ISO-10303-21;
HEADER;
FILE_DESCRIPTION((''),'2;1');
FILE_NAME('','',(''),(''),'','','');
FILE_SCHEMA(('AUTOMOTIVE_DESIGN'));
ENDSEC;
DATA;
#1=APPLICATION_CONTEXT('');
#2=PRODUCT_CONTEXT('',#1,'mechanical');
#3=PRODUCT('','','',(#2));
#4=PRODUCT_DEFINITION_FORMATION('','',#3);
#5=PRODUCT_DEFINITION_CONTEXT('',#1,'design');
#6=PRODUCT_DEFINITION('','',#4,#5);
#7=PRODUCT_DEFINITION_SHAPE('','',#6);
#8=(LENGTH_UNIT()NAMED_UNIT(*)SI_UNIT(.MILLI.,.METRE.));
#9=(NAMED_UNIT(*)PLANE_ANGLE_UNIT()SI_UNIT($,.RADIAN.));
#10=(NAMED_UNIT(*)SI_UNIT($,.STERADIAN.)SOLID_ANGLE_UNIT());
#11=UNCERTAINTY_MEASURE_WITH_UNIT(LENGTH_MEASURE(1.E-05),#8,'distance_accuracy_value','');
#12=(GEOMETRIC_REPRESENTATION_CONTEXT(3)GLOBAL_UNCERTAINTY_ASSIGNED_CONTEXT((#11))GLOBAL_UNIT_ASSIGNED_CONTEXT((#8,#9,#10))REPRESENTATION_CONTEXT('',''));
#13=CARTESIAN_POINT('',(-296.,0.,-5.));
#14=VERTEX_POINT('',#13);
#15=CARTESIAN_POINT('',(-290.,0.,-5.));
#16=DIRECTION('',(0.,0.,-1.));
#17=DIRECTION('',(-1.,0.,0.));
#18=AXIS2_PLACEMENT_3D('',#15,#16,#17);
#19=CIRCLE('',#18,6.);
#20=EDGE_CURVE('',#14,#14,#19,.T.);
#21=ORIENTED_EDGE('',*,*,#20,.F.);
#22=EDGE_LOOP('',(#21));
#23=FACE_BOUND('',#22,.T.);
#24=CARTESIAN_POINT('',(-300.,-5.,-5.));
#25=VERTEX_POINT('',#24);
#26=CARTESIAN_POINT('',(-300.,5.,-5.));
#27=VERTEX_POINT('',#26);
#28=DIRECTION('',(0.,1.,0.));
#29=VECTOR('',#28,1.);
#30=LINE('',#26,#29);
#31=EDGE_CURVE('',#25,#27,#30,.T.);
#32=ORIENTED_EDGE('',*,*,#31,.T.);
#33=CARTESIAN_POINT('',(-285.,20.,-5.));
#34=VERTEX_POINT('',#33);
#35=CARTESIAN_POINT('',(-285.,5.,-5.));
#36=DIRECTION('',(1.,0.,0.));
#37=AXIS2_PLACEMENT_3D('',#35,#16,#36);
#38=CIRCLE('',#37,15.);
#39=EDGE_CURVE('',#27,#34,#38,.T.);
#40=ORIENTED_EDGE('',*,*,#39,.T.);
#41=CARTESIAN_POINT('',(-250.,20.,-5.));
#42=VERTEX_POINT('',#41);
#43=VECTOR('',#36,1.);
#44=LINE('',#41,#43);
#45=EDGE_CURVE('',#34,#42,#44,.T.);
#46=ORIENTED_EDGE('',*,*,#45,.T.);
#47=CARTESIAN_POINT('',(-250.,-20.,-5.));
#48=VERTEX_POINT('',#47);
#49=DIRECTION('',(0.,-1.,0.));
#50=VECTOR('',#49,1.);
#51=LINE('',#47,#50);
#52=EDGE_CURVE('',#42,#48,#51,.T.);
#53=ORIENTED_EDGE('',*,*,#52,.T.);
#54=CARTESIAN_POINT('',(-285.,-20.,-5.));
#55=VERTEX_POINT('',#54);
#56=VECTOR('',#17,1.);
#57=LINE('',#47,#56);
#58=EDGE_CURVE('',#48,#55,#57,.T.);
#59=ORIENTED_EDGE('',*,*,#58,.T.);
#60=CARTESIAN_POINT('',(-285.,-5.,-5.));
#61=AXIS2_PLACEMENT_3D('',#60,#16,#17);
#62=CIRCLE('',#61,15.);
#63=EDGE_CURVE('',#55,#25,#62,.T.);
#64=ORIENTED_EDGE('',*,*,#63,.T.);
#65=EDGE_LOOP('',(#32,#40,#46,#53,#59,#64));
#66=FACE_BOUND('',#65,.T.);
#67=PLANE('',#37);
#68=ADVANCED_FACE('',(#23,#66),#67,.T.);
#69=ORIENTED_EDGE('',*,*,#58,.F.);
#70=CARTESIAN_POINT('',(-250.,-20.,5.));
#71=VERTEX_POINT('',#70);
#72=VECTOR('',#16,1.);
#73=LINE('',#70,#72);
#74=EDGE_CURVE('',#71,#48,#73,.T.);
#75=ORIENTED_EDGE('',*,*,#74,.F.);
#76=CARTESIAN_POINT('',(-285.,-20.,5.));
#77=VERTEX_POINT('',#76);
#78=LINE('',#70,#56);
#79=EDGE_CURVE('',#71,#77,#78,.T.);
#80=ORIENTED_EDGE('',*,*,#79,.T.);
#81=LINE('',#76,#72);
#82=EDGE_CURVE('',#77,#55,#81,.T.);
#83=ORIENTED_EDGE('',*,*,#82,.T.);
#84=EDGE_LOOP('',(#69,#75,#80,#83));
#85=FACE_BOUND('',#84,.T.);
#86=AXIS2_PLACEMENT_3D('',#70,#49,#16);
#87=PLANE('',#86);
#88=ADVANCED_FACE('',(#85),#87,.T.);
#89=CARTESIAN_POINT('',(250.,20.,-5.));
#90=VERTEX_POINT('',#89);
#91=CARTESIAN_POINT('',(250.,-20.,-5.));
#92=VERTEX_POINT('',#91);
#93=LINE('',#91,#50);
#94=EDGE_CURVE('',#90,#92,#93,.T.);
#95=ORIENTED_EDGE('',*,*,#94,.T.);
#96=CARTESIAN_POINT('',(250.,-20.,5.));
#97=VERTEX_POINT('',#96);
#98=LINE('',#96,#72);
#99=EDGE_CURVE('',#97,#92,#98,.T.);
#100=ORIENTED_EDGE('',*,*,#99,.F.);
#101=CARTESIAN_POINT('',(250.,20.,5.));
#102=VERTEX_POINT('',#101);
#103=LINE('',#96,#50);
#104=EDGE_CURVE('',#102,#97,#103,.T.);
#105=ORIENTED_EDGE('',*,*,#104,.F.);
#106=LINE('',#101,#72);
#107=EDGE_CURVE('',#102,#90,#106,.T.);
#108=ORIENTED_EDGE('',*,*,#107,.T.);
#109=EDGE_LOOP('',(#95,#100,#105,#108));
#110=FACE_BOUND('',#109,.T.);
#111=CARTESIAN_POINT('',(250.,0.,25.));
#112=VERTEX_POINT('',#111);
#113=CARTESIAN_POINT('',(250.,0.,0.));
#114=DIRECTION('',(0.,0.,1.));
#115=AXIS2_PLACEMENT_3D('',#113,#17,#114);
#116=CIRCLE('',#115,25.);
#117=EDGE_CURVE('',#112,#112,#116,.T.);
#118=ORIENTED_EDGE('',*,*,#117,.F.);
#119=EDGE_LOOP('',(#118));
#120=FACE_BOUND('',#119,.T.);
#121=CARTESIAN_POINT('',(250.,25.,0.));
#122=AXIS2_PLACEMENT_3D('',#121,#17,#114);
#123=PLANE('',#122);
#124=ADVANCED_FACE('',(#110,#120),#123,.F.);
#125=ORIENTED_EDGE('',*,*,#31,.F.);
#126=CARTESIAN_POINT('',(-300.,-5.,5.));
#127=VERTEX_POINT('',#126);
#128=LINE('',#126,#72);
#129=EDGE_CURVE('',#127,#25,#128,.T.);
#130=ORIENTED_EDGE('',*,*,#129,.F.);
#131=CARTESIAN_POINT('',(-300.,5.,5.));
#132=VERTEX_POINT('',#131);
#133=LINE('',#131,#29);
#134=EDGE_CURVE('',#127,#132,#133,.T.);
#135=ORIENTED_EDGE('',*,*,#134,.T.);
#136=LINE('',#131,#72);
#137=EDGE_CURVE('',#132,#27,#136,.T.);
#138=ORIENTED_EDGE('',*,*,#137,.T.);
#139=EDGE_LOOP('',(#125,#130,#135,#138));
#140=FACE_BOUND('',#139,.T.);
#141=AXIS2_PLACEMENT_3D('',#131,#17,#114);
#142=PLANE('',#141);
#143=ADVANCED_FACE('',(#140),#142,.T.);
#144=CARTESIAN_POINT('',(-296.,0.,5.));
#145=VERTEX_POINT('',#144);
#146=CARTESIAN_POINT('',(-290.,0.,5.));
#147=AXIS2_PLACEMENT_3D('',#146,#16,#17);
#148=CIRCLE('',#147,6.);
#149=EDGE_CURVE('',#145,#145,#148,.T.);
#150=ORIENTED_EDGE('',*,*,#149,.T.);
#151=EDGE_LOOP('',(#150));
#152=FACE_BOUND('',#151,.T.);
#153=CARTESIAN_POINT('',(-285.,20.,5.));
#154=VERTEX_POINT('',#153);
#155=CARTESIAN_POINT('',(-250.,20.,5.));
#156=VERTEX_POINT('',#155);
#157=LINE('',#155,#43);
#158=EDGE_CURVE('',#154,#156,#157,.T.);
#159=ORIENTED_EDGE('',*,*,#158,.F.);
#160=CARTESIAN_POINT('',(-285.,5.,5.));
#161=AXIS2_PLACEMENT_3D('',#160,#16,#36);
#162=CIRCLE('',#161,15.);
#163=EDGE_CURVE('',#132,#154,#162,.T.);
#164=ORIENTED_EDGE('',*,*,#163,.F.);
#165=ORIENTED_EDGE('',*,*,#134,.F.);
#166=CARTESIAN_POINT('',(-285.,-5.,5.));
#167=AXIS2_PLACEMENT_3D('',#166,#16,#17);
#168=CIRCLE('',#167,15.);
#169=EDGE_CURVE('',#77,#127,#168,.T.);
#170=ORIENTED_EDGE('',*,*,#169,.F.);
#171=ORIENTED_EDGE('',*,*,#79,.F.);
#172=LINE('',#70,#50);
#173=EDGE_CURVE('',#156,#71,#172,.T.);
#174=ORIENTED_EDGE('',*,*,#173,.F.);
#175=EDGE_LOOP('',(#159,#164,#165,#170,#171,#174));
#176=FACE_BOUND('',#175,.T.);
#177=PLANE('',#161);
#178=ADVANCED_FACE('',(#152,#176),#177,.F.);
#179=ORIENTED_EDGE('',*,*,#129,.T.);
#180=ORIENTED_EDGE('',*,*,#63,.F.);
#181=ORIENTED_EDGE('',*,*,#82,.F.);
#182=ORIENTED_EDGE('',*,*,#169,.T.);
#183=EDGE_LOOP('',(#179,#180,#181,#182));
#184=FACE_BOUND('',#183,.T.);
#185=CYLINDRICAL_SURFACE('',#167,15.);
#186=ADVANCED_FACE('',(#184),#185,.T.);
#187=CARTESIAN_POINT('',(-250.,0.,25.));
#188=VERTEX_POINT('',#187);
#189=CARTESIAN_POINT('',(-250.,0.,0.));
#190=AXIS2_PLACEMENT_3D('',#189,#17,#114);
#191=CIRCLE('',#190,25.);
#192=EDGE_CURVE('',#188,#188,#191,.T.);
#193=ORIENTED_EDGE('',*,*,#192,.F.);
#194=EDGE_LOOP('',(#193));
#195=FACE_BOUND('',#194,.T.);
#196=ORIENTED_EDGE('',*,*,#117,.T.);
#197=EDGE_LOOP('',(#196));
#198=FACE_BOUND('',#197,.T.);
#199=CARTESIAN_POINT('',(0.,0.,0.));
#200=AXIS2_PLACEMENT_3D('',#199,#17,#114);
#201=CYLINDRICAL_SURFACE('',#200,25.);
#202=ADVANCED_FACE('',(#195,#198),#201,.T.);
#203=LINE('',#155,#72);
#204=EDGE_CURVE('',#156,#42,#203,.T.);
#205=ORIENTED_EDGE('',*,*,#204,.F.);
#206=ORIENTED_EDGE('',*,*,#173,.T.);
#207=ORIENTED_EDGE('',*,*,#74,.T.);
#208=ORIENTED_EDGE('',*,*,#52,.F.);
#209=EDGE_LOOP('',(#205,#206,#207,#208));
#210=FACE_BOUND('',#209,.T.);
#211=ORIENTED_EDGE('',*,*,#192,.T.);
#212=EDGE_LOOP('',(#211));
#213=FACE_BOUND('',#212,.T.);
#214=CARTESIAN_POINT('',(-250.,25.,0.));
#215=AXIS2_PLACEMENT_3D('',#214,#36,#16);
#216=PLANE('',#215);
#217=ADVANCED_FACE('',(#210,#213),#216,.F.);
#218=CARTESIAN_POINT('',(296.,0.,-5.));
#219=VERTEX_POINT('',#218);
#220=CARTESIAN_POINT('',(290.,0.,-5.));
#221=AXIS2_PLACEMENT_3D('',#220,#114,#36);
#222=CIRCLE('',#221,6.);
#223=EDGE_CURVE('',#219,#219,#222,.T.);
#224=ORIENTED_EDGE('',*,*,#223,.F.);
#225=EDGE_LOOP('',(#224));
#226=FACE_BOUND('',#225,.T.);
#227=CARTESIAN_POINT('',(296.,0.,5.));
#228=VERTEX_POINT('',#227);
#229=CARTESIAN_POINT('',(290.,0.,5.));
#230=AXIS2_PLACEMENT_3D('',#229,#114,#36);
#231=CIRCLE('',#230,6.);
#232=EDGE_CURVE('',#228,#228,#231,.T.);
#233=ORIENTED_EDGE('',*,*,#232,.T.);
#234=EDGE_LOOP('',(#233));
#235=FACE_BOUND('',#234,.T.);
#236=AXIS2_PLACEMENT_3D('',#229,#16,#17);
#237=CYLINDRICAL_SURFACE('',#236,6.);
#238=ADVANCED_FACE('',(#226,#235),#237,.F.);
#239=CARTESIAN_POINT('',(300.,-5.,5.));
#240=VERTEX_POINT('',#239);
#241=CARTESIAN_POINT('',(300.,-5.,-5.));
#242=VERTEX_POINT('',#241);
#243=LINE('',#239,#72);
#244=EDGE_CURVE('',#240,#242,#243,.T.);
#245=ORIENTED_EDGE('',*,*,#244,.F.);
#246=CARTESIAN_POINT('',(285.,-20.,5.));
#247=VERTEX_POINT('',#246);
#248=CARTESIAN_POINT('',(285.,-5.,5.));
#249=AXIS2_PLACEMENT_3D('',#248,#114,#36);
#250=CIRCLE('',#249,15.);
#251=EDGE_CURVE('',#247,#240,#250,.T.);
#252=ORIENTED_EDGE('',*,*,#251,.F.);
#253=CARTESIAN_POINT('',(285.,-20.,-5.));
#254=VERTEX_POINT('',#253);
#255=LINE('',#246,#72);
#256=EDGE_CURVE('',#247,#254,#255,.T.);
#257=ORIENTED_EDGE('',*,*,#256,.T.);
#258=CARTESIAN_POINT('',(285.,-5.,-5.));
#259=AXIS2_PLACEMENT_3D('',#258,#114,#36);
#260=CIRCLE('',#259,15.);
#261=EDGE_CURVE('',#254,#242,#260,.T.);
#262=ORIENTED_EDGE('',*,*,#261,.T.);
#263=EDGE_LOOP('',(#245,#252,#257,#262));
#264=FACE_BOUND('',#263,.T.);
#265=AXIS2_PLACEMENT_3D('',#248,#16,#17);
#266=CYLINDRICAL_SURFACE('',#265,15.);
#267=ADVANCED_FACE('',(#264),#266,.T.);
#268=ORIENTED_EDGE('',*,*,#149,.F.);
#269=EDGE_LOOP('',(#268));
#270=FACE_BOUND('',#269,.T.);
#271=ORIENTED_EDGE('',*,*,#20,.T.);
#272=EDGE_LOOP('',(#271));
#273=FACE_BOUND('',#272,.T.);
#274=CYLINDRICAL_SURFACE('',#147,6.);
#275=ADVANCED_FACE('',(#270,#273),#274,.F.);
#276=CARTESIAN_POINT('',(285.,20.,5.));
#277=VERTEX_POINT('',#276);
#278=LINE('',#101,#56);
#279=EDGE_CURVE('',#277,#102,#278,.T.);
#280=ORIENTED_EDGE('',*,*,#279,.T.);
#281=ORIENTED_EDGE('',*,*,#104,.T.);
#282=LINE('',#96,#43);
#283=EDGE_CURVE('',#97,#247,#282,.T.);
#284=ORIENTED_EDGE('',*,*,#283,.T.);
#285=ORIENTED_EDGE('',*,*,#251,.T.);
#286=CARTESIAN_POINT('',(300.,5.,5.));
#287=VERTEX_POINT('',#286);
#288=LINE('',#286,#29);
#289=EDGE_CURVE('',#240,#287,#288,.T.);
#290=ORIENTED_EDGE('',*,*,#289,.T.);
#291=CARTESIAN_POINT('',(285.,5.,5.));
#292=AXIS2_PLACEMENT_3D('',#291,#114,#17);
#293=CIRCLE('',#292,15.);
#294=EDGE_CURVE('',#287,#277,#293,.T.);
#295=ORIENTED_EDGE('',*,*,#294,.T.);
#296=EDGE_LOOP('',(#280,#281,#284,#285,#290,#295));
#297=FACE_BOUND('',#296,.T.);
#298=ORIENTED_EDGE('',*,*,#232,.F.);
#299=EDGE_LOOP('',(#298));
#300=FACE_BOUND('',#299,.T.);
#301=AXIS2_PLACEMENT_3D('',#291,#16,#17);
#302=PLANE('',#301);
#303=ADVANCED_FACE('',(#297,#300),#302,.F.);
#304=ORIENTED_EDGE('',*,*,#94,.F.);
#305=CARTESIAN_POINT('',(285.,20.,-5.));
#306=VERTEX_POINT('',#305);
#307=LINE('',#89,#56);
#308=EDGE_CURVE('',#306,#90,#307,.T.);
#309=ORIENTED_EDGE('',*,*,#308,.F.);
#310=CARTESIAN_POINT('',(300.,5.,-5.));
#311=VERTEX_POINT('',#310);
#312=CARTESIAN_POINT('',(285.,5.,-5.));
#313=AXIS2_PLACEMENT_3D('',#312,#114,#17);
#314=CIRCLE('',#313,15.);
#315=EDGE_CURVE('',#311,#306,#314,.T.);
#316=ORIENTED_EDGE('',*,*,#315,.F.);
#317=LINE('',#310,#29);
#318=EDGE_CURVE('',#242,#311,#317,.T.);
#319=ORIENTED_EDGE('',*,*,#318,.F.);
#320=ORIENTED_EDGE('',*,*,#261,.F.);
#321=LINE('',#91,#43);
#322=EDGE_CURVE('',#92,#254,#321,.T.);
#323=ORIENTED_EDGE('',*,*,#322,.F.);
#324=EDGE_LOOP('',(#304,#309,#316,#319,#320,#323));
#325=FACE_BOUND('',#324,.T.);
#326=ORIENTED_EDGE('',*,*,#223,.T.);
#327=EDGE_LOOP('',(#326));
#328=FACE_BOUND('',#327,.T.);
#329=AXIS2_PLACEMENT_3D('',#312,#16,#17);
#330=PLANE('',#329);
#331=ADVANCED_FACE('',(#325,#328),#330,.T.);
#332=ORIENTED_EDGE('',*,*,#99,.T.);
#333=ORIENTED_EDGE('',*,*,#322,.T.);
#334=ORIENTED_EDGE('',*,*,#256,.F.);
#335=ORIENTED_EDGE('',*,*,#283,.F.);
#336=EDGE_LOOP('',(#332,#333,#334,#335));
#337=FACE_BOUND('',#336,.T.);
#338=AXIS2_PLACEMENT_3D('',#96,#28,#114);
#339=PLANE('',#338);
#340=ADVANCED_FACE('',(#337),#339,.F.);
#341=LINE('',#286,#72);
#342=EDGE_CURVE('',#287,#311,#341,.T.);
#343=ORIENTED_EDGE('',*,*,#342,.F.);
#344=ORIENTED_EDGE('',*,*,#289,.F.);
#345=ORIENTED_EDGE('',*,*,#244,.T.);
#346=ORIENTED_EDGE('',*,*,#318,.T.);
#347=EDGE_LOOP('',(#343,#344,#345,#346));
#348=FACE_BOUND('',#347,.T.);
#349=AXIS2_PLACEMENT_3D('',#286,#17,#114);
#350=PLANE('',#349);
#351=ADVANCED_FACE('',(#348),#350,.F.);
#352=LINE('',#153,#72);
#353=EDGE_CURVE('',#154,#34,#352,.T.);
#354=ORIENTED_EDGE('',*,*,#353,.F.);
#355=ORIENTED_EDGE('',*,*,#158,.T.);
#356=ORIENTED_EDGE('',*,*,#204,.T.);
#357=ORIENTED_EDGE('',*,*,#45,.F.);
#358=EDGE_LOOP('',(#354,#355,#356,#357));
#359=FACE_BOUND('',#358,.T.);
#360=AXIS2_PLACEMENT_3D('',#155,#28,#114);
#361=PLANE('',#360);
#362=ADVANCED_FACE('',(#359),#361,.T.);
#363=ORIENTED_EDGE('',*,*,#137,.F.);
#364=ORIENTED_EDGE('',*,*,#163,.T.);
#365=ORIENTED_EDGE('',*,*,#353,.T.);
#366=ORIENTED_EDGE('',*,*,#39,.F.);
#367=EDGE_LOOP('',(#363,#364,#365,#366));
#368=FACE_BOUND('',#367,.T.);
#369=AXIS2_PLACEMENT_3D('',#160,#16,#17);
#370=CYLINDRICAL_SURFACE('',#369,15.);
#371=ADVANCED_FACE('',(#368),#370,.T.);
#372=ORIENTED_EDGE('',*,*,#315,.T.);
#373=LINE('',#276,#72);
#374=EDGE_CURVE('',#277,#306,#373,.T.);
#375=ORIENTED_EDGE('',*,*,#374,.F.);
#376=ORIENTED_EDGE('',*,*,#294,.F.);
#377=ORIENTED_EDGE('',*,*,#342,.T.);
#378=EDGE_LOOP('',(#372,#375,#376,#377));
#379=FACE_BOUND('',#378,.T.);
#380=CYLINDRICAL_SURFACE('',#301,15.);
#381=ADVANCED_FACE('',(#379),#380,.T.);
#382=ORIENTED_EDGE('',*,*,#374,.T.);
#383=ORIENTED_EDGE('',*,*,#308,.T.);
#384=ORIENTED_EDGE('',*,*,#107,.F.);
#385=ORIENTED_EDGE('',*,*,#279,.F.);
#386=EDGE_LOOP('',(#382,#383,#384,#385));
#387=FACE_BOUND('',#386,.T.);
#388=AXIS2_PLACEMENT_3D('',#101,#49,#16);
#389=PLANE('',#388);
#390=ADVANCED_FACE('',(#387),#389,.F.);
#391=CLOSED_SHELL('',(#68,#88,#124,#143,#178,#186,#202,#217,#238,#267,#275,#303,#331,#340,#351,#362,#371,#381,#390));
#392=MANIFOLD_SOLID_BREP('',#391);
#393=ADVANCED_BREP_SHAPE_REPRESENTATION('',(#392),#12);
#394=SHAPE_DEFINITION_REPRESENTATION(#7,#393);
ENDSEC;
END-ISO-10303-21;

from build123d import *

# Parameters (mm, degrees)
ESBO_O1_W                = 500
ESBO_O1_H                = 25
ESBO_O2_R                = 6
RESSALTO_EXTRUS_O1_DEPTH = 5


with BuildPart() as part:
    # Esboço1 → Revolução1 (revolve)
    with BuildSketch(Plane.XY):
        with Locations((0, 12.5)):
            Rectangle(ESBO_O1_W, ESBO_O1_H)
    revolve(axis=Axis((0, 0, 0), (1, 0, 0)))

    # Esboço2 → Ressalto-extrusão1 (add, symmetric)
    with BuildSketch(Plane.XY):
        with BuildLine():
            Line((250, -20), (250, 20))
            Line((250, 20), (285, 20))
            ThreePointArc((285, 20), (295.606601718, 15.606601718), (300, 5))
            Line((300, 5), (300, -5))
            ThreePointArc((300, -5), (295.606601718, -15.606601718), (285, -20))
            Line((285, -20), (250, -20))
        make_face()
        with Locations((290, 0)):
            Circle(ESBO_O2_R, mode=Mode.SUBTRACT)
    ressalto_extrus_o1 = extrude(amount=RESSALTO_EXTRUS_O1_DEPTH, both=True)

    # Espelhar1: Ressalto-extrusão1 across plane
    add(ressalto_extrus_o1.mirror(Plane(origin=(0, 0, 0), x_dir=(0, 0, 1), z_dir=(1, 0, 0))))


solid = part.part
